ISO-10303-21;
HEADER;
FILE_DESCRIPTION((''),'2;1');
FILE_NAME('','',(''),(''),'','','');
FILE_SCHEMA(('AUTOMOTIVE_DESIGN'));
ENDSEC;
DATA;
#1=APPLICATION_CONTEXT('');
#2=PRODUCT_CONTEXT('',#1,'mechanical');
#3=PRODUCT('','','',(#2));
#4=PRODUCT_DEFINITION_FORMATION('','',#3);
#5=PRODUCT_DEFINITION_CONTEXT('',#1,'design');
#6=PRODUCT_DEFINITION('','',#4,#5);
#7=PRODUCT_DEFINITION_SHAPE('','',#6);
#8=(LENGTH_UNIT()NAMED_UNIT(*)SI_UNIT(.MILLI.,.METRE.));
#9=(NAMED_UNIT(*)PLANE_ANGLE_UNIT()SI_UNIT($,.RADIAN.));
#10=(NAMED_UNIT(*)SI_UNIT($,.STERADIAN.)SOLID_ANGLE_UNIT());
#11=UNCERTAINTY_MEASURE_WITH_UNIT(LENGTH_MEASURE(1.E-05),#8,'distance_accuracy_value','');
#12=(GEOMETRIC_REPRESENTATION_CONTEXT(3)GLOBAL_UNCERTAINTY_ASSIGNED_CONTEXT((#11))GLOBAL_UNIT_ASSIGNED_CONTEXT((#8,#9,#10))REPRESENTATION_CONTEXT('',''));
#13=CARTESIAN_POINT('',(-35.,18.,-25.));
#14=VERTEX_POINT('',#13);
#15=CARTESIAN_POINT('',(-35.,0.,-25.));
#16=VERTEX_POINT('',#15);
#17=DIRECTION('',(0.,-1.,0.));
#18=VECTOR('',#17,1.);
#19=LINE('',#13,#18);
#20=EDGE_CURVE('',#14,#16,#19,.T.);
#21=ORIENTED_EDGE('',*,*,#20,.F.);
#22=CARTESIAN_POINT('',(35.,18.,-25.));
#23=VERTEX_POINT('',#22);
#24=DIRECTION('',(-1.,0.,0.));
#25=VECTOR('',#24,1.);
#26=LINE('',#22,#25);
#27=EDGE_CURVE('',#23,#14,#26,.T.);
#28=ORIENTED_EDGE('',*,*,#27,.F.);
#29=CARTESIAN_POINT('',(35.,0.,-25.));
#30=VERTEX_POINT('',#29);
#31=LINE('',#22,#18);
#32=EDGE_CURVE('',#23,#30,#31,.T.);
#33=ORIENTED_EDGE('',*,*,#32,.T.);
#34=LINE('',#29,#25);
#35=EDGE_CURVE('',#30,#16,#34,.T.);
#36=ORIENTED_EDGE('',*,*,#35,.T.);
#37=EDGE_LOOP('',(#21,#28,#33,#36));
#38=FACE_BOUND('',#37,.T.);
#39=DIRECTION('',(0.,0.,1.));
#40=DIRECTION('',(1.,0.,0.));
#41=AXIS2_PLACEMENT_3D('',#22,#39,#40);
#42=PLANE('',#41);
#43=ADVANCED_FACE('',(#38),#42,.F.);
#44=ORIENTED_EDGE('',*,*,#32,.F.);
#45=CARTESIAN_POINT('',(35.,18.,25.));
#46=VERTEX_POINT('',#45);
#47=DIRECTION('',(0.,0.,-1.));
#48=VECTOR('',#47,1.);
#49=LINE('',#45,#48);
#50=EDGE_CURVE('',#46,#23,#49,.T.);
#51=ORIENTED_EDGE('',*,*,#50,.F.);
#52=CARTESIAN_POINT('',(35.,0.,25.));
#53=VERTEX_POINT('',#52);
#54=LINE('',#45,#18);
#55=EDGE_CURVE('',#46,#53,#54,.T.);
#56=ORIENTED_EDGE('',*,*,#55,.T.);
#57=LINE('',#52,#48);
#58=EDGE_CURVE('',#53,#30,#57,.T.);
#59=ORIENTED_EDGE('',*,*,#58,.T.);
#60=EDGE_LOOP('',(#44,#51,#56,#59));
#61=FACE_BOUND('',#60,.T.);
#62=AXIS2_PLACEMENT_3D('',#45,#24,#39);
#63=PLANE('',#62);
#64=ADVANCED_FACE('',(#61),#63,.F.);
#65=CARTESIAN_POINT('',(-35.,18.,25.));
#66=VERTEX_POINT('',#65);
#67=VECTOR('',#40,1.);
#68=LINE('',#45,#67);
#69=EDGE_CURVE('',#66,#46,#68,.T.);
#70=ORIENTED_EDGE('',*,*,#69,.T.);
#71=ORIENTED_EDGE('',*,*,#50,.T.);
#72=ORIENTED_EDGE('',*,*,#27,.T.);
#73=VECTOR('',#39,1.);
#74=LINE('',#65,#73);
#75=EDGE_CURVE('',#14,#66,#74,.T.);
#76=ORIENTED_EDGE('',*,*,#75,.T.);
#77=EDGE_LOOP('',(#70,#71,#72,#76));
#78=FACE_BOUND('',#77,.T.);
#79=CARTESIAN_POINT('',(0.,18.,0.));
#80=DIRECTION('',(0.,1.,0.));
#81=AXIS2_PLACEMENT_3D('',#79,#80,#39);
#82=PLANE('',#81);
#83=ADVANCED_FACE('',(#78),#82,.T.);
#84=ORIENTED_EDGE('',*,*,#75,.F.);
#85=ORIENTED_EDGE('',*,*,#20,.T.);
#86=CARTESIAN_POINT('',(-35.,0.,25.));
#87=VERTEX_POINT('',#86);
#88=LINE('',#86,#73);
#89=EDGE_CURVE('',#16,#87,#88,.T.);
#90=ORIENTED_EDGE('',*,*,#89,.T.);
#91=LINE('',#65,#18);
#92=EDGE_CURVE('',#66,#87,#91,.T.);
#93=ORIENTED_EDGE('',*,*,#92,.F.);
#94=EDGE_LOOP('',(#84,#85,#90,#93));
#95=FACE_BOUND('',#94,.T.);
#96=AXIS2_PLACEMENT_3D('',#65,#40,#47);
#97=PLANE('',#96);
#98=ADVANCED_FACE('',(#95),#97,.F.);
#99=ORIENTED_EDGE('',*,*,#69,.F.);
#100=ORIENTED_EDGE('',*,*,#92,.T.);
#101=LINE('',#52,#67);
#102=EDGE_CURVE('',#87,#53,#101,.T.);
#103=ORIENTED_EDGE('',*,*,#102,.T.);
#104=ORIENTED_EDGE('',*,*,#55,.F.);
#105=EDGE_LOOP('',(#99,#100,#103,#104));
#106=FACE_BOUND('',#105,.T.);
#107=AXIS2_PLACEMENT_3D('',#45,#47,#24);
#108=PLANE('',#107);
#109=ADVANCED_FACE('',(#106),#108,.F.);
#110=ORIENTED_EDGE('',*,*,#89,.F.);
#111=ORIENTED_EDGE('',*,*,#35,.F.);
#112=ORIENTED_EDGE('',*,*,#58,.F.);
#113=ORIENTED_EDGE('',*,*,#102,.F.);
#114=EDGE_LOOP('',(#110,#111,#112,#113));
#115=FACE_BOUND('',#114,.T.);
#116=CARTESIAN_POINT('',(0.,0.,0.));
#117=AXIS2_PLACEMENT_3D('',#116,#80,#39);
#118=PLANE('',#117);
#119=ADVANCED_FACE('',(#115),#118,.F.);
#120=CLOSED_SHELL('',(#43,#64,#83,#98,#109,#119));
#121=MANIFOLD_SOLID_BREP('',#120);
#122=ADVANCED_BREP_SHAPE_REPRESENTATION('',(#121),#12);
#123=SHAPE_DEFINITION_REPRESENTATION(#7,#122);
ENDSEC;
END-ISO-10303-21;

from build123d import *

# Parameters (mm, degrees)
SKETCH_1_W      = 70
SKETCH_1_H      = 50
EXTRUDE_1_DEPTH = 18


with BuildPart() as part:
    # 草图1 → 凸台-拉伸1 (new body)
    with BuildSketch(Plane(origin=(0, 0, 0), x_dir=(1, 0, 0), z_dir=(0, 1, 0))):
        Rectangle(SKETCH_1_W, SKETCH_1_H)
    extrude(amount=EXTRUDE_1_DEPTH)


solid = part.part
